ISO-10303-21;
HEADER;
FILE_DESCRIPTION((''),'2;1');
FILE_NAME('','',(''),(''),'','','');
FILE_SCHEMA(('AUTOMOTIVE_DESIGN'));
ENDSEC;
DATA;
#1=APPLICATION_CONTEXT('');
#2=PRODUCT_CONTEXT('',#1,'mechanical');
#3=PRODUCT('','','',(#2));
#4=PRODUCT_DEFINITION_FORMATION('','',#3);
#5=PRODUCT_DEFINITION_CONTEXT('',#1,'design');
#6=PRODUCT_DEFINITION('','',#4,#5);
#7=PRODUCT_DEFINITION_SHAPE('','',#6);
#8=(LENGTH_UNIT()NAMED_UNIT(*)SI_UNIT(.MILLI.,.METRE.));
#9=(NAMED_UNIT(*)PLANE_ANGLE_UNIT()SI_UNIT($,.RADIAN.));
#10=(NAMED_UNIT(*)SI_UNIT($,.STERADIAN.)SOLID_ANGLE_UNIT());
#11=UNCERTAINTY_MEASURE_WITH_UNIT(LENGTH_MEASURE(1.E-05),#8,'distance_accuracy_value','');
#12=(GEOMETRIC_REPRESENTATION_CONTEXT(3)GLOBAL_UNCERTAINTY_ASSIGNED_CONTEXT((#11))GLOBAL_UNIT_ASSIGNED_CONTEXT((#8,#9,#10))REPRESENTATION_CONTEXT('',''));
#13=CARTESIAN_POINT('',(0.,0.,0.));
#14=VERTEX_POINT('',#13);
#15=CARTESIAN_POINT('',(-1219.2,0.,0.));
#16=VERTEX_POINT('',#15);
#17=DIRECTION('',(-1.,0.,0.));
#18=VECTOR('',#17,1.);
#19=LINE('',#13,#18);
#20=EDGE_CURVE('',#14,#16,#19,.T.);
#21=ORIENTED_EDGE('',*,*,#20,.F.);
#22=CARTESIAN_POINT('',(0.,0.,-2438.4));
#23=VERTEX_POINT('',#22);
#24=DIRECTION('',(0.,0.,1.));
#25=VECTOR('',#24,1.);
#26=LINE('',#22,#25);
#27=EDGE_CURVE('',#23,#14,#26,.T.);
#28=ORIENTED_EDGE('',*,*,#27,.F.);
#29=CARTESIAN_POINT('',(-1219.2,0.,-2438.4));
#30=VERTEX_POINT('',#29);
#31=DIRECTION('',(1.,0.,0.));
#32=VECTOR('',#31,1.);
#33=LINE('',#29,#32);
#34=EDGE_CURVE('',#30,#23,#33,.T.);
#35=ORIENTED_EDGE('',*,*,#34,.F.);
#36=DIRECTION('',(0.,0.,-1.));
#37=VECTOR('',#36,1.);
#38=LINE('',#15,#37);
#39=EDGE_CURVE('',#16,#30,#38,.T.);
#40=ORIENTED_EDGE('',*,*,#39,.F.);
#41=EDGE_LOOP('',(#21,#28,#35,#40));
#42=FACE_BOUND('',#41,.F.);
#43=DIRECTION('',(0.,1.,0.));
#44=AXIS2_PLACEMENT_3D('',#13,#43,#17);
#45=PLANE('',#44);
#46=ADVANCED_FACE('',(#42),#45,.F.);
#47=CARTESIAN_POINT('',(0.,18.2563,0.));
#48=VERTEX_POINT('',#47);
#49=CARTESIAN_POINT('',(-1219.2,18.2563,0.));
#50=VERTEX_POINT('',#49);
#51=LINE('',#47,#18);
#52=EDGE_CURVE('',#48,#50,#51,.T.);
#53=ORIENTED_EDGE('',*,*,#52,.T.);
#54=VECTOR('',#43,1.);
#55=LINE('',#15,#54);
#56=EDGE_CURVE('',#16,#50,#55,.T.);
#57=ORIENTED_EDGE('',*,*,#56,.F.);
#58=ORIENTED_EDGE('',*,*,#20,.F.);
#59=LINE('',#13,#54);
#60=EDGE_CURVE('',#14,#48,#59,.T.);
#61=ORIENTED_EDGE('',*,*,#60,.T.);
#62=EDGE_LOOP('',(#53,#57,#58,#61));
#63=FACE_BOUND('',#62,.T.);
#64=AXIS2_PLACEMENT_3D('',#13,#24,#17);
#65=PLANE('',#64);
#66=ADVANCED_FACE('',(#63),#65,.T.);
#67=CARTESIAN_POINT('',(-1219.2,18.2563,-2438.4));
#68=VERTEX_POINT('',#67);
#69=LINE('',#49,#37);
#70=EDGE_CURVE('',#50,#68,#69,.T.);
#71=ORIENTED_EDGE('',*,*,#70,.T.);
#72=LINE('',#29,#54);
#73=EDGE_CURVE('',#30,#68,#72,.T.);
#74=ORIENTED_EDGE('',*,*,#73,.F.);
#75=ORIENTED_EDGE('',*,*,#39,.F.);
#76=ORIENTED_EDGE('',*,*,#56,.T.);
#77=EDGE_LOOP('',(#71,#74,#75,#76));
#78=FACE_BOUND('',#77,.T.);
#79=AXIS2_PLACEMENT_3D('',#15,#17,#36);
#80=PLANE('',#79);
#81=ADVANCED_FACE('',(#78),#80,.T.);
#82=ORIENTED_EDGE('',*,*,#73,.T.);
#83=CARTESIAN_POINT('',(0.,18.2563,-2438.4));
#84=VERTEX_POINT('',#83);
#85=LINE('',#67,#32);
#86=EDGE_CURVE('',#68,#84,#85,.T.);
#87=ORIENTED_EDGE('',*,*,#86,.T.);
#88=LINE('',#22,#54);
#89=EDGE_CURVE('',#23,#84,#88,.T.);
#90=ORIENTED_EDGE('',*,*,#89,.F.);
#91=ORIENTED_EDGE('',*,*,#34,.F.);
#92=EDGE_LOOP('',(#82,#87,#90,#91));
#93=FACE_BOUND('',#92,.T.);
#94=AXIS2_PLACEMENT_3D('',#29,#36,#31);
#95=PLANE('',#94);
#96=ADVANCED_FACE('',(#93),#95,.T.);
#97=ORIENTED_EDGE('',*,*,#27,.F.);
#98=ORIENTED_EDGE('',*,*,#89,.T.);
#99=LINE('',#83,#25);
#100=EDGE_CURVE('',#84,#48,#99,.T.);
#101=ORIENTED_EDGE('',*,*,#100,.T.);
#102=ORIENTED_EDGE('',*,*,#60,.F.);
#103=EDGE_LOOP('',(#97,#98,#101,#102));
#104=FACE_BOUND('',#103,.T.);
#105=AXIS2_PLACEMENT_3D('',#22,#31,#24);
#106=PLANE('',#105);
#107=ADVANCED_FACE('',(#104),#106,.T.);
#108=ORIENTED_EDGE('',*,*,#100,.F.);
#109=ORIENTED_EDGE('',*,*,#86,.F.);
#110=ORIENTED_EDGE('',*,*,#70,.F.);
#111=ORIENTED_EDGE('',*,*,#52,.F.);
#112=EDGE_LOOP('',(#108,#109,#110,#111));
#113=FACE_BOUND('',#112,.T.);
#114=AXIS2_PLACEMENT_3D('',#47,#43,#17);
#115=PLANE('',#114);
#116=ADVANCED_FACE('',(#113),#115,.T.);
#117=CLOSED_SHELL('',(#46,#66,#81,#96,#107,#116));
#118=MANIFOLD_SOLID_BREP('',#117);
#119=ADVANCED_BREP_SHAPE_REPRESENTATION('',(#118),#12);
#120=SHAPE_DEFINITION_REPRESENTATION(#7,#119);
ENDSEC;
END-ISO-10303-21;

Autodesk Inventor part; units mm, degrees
ref_plane "YZ Plane" through (0, 0, 0) normal (1, 0, 0) x (0, 1, 0)
ref_plane "XZ Plane" through (0, 0, 0) normal (0, 1, 0) x (-1, 0, 0)
ref_plane "XY Plane" through (0, 0, 0) normal (0, 0, 1) x (1, 0, 0)
sketch "Sketch1" plane through (0, 0, 0) normal (0, 1, 0) x (-1, 0, 0)
  line L0 (0, 0) -> (1219.2, 0)
  line L1 (1219.2, 0) -> (1219.2, -2438.4)
  line L2 (1219.2, -2438.4) -> (0, -2438.4)
  line L3 (0, -2438.4) -> (0, 0)
  dimension "d2" = 2438.4
  dimension "d3" = 1219.2
extrude "Extrusion1" add sketch "Sketch1" along normal blind 18.2563
properties part number "OSB_For_Subfloor" material "Wood (Birch)"
